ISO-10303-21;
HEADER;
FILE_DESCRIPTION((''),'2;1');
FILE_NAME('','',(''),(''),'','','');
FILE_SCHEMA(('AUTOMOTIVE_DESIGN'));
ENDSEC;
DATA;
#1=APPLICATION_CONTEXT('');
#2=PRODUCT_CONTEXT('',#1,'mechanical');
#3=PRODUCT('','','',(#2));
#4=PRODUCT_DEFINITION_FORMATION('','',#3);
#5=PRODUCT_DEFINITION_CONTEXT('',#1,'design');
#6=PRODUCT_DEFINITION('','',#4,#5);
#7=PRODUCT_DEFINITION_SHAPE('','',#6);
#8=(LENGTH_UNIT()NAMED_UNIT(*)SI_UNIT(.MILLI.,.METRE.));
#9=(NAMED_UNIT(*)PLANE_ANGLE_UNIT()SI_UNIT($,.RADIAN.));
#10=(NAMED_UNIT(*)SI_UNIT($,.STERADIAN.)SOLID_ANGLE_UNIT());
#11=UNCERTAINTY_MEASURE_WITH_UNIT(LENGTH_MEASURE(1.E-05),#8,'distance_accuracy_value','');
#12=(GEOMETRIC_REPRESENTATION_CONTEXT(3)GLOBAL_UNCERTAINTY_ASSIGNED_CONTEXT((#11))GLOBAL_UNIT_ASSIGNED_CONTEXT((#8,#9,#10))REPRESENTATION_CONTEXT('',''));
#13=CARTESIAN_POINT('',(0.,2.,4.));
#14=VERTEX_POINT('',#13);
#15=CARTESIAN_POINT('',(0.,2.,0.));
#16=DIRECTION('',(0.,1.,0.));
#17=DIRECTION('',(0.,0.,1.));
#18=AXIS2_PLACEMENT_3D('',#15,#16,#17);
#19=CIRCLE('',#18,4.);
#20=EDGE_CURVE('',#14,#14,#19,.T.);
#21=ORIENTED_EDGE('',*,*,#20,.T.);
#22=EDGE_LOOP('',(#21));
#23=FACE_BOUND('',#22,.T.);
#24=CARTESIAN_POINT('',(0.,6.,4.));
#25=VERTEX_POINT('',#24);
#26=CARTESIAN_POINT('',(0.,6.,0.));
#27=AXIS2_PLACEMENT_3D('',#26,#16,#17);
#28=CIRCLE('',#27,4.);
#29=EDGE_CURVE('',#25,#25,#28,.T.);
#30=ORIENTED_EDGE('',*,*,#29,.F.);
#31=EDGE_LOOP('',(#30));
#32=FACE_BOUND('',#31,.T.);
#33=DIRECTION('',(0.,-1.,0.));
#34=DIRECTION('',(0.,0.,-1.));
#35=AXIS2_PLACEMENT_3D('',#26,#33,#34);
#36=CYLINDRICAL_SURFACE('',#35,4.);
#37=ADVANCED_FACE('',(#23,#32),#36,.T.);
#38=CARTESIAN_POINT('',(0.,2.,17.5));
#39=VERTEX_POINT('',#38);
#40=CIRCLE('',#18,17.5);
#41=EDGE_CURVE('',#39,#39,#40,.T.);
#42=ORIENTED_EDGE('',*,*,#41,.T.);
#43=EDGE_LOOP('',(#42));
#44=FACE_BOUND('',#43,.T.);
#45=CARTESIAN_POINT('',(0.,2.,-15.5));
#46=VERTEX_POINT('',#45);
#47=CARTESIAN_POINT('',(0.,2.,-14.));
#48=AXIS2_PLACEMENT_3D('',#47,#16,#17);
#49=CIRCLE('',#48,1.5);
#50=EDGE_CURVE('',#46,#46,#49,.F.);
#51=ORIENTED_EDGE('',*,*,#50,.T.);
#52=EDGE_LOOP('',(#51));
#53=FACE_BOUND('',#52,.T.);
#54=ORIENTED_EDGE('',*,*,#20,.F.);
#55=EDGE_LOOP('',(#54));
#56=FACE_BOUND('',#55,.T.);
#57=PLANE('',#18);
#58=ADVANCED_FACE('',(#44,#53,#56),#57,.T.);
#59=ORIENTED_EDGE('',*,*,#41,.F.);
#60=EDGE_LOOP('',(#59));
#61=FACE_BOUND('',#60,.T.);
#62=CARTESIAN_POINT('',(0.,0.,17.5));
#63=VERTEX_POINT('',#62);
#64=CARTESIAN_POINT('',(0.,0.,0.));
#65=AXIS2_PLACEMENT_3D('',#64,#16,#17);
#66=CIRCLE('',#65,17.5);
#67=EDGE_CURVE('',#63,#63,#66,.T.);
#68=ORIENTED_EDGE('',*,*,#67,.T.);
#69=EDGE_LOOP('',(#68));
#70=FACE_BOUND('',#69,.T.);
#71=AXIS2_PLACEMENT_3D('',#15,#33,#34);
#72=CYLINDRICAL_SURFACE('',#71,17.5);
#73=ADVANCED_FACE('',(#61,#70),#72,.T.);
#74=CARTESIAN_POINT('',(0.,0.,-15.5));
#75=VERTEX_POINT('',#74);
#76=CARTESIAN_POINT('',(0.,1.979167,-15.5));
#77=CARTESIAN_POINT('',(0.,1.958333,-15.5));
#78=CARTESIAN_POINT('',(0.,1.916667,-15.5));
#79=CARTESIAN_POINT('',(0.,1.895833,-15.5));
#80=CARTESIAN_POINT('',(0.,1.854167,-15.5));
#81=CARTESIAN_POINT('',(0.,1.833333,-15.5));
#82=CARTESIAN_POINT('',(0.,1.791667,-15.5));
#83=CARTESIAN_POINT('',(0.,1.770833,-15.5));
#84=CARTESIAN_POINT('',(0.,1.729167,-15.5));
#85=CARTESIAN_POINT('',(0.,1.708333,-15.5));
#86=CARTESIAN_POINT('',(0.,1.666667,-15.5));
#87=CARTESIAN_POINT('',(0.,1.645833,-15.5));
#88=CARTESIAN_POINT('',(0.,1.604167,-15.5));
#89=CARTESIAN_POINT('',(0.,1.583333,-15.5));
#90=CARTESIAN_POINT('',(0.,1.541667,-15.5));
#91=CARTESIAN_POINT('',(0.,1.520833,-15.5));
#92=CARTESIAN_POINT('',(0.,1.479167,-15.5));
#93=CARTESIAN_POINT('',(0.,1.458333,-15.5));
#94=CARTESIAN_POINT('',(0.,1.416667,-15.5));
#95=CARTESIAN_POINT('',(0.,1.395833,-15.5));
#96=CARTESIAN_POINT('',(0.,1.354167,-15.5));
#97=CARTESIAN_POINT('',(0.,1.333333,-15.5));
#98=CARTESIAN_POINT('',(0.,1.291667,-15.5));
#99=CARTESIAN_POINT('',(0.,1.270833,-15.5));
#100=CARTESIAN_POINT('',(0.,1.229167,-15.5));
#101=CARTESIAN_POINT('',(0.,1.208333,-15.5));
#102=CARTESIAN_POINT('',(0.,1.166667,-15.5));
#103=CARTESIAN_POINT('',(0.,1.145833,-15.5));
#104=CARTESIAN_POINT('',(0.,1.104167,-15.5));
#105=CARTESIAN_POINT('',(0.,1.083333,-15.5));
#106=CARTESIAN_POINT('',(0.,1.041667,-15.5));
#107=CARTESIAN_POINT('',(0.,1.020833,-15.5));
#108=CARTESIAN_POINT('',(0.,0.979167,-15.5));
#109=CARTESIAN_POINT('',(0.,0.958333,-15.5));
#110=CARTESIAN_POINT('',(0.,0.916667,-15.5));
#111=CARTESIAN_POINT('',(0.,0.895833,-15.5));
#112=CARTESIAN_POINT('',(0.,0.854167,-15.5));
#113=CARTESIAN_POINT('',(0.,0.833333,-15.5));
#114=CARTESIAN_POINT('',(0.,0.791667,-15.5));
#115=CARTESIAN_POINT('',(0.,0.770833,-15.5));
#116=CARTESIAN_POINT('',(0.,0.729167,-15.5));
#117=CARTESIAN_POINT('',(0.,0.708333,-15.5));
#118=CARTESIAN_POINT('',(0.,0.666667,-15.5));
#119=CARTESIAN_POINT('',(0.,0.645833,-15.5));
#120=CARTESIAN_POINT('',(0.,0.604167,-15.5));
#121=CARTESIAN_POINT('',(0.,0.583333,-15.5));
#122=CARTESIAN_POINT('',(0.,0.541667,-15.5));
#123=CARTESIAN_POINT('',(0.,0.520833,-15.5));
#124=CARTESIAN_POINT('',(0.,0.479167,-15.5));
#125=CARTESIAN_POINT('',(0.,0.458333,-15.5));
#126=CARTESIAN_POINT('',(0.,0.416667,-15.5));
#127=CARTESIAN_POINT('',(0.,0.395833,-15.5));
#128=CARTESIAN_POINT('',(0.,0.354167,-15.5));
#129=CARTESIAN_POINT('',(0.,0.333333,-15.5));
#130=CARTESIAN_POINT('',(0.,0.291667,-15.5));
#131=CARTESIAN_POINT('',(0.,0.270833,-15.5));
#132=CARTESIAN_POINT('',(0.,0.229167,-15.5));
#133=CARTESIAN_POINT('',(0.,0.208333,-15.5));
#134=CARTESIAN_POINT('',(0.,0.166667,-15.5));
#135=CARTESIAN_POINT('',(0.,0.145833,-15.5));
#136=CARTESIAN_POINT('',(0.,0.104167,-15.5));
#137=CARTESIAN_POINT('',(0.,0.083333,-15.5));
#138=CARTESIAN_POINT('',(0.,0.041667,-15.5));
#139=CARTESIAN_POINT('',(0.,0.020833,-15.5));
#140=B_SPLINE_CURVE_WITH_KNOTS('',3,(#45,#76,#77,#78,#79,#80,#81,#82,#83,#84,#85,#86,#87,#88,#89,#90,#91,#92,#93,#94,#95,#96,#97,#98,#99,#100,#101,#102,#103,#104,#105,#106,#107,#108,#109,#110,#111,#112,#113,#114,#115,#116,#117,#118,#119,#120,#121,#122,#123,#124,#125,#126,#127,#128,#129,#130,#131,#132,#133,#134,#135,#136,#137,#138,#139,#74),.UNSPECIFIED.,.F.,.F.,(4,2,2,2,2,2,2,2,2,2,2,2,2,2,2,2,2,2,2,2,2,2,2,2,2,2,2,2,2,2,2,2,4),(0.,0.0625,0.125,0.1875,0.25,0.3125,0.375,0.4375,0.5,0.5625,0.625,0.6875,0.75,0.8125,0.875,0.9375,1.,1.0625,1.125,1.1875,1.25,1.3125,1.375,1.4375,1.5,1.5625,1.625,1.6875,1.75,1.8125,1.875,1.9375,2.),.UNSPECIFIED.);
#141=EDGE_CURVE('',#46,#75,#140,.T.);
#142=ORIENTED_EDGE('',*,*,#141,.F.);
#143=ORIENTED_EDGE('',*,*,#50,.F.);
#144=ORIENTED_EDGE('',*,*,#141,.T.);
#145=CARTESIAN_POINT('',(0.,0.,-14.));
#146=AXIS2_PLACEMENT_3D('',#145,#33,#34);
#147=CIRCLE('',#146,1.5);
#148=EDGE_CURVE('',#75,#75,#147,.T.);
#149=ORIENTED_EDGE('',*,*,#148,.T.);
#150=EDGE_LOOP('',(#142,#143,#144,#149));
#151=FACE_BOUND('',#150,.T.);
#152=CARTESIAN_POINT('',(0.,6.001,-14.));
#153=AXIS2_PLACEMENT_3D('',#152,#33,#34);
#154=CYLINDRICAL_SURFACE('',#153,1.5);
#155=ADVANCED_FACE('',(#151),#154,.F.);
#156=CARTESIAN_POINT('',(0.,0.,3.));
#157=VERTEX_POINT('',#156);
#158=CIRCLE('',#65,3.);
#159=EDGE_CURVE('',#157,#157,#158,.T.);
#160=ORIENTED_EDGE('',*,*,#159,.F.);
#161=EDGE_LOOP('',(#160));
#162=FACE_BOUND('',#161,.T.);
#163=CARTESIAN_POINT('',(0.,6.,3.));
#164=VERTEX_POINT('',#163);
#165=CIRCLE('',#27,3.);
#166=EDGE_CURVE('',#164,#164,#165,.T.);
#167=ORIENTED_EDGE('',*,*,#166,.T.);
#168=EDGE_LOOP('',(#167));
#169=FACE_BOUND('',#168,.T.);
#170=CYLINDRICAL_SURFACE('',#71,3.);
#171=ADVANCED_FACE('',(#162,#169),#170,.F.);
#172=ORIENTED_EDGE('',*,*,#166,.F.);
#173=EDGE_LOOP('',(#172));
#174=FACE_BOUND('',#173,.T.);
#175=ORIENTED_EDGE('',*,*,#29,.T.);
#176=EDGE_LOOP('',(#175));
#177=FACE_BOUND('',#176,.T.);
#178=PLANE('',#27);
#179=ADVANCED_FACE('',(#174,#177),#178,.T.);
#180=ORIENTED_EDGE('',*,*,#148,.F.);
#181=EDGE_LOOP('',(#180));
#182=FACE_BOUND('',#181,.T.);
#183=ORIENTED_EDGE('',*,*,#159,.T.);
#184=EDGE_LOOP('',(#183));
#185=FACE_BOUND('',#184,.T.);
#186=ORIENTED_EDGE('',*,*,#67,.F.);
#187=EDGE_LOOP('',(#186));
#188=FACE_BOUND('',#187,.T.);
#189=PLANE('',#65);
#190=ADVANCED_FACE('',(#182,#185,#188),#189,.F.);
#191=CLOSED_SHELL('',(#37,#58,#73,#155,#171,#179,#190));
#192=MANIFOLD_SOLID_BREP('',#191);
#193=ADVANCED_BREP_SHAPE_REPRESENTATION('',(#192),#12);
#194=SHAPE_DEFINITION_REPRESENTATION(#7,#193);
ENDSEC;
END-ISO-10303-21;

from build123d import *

# Parameters (mm, degrees)
SKETCH1_R                   = 17.5
SKETCH1_R_2                 = 3
BOSS_EXTRUDE1_DEPTH         = 2
IZIM1_R                     = 4
IZIM1_R_2                   = 3
Y_KSEKLIK_EKSTR_ZYON1_DEPTH = 4
CUT_EXTRUDE1_REACH          = 27.466
SKETCH2_R                   = 1.5


with BuildPart() as part:
    # Sketch1 → Boss-Extrude1 (new body)
    with BuildSketch(Plane(origin=(0, 0, 0), x_dir=(1, 0, 0), z_dir=(0, 1, 0))):
        with Locations(Location((0, 0, 0), (0, 0, 270))):
            Circle(SKETCH1_R)
        with Locations(Location((0, 0, 0), (0, 0, 270))):
            Circle(SKETCH1_R_2, mode=Mode.SUBTRACT)
    extrude(amount=BOSS_EXTRUDE1_DEPTH)

    # Çizim1 → Yükseklik-Ekstrüzyon1 (add)
    with BuildSketch(Plane(origin=(0, 2, 0), x_dir=(1, 0, 0), z_dir=(0, 1, 0))):
        with Locations(Location((0, 0, 0), (0, 0, 270))):
            Circle(IZIM1_R)
        with Locations(Location((0, 0, 0), (0, 0, 270))):
            Circle(IZIM1_R_2, mode=Mode.SUBTRACT)
    extrude(amount=Y_KSEKLIK_EKSTR_ZYON1_DEPTH)

    # Sketch2 → Cut-Extrude1 (cut, up to next)
    with BuildSketch(Plane.XZ, mode=Mode.PRIVATE) as cut_extrude1_sk1:
        with Locations(Location((0, -14, 0), (0, 0, 270))):
            Circle(SKETCH2_R)
    cut_extrude1_tool1 = extrude(cut_extrude1_sk1.sketch, amount=-CUT_EXTRUDE1_REACH, mode=Mode.PRIVATE) & part.part
    add(cut_extrude1_tool1.solids().sort_by_distance((0, 0, -14))[0], mode=Mode.SUBTRACT)


solid = part.part
